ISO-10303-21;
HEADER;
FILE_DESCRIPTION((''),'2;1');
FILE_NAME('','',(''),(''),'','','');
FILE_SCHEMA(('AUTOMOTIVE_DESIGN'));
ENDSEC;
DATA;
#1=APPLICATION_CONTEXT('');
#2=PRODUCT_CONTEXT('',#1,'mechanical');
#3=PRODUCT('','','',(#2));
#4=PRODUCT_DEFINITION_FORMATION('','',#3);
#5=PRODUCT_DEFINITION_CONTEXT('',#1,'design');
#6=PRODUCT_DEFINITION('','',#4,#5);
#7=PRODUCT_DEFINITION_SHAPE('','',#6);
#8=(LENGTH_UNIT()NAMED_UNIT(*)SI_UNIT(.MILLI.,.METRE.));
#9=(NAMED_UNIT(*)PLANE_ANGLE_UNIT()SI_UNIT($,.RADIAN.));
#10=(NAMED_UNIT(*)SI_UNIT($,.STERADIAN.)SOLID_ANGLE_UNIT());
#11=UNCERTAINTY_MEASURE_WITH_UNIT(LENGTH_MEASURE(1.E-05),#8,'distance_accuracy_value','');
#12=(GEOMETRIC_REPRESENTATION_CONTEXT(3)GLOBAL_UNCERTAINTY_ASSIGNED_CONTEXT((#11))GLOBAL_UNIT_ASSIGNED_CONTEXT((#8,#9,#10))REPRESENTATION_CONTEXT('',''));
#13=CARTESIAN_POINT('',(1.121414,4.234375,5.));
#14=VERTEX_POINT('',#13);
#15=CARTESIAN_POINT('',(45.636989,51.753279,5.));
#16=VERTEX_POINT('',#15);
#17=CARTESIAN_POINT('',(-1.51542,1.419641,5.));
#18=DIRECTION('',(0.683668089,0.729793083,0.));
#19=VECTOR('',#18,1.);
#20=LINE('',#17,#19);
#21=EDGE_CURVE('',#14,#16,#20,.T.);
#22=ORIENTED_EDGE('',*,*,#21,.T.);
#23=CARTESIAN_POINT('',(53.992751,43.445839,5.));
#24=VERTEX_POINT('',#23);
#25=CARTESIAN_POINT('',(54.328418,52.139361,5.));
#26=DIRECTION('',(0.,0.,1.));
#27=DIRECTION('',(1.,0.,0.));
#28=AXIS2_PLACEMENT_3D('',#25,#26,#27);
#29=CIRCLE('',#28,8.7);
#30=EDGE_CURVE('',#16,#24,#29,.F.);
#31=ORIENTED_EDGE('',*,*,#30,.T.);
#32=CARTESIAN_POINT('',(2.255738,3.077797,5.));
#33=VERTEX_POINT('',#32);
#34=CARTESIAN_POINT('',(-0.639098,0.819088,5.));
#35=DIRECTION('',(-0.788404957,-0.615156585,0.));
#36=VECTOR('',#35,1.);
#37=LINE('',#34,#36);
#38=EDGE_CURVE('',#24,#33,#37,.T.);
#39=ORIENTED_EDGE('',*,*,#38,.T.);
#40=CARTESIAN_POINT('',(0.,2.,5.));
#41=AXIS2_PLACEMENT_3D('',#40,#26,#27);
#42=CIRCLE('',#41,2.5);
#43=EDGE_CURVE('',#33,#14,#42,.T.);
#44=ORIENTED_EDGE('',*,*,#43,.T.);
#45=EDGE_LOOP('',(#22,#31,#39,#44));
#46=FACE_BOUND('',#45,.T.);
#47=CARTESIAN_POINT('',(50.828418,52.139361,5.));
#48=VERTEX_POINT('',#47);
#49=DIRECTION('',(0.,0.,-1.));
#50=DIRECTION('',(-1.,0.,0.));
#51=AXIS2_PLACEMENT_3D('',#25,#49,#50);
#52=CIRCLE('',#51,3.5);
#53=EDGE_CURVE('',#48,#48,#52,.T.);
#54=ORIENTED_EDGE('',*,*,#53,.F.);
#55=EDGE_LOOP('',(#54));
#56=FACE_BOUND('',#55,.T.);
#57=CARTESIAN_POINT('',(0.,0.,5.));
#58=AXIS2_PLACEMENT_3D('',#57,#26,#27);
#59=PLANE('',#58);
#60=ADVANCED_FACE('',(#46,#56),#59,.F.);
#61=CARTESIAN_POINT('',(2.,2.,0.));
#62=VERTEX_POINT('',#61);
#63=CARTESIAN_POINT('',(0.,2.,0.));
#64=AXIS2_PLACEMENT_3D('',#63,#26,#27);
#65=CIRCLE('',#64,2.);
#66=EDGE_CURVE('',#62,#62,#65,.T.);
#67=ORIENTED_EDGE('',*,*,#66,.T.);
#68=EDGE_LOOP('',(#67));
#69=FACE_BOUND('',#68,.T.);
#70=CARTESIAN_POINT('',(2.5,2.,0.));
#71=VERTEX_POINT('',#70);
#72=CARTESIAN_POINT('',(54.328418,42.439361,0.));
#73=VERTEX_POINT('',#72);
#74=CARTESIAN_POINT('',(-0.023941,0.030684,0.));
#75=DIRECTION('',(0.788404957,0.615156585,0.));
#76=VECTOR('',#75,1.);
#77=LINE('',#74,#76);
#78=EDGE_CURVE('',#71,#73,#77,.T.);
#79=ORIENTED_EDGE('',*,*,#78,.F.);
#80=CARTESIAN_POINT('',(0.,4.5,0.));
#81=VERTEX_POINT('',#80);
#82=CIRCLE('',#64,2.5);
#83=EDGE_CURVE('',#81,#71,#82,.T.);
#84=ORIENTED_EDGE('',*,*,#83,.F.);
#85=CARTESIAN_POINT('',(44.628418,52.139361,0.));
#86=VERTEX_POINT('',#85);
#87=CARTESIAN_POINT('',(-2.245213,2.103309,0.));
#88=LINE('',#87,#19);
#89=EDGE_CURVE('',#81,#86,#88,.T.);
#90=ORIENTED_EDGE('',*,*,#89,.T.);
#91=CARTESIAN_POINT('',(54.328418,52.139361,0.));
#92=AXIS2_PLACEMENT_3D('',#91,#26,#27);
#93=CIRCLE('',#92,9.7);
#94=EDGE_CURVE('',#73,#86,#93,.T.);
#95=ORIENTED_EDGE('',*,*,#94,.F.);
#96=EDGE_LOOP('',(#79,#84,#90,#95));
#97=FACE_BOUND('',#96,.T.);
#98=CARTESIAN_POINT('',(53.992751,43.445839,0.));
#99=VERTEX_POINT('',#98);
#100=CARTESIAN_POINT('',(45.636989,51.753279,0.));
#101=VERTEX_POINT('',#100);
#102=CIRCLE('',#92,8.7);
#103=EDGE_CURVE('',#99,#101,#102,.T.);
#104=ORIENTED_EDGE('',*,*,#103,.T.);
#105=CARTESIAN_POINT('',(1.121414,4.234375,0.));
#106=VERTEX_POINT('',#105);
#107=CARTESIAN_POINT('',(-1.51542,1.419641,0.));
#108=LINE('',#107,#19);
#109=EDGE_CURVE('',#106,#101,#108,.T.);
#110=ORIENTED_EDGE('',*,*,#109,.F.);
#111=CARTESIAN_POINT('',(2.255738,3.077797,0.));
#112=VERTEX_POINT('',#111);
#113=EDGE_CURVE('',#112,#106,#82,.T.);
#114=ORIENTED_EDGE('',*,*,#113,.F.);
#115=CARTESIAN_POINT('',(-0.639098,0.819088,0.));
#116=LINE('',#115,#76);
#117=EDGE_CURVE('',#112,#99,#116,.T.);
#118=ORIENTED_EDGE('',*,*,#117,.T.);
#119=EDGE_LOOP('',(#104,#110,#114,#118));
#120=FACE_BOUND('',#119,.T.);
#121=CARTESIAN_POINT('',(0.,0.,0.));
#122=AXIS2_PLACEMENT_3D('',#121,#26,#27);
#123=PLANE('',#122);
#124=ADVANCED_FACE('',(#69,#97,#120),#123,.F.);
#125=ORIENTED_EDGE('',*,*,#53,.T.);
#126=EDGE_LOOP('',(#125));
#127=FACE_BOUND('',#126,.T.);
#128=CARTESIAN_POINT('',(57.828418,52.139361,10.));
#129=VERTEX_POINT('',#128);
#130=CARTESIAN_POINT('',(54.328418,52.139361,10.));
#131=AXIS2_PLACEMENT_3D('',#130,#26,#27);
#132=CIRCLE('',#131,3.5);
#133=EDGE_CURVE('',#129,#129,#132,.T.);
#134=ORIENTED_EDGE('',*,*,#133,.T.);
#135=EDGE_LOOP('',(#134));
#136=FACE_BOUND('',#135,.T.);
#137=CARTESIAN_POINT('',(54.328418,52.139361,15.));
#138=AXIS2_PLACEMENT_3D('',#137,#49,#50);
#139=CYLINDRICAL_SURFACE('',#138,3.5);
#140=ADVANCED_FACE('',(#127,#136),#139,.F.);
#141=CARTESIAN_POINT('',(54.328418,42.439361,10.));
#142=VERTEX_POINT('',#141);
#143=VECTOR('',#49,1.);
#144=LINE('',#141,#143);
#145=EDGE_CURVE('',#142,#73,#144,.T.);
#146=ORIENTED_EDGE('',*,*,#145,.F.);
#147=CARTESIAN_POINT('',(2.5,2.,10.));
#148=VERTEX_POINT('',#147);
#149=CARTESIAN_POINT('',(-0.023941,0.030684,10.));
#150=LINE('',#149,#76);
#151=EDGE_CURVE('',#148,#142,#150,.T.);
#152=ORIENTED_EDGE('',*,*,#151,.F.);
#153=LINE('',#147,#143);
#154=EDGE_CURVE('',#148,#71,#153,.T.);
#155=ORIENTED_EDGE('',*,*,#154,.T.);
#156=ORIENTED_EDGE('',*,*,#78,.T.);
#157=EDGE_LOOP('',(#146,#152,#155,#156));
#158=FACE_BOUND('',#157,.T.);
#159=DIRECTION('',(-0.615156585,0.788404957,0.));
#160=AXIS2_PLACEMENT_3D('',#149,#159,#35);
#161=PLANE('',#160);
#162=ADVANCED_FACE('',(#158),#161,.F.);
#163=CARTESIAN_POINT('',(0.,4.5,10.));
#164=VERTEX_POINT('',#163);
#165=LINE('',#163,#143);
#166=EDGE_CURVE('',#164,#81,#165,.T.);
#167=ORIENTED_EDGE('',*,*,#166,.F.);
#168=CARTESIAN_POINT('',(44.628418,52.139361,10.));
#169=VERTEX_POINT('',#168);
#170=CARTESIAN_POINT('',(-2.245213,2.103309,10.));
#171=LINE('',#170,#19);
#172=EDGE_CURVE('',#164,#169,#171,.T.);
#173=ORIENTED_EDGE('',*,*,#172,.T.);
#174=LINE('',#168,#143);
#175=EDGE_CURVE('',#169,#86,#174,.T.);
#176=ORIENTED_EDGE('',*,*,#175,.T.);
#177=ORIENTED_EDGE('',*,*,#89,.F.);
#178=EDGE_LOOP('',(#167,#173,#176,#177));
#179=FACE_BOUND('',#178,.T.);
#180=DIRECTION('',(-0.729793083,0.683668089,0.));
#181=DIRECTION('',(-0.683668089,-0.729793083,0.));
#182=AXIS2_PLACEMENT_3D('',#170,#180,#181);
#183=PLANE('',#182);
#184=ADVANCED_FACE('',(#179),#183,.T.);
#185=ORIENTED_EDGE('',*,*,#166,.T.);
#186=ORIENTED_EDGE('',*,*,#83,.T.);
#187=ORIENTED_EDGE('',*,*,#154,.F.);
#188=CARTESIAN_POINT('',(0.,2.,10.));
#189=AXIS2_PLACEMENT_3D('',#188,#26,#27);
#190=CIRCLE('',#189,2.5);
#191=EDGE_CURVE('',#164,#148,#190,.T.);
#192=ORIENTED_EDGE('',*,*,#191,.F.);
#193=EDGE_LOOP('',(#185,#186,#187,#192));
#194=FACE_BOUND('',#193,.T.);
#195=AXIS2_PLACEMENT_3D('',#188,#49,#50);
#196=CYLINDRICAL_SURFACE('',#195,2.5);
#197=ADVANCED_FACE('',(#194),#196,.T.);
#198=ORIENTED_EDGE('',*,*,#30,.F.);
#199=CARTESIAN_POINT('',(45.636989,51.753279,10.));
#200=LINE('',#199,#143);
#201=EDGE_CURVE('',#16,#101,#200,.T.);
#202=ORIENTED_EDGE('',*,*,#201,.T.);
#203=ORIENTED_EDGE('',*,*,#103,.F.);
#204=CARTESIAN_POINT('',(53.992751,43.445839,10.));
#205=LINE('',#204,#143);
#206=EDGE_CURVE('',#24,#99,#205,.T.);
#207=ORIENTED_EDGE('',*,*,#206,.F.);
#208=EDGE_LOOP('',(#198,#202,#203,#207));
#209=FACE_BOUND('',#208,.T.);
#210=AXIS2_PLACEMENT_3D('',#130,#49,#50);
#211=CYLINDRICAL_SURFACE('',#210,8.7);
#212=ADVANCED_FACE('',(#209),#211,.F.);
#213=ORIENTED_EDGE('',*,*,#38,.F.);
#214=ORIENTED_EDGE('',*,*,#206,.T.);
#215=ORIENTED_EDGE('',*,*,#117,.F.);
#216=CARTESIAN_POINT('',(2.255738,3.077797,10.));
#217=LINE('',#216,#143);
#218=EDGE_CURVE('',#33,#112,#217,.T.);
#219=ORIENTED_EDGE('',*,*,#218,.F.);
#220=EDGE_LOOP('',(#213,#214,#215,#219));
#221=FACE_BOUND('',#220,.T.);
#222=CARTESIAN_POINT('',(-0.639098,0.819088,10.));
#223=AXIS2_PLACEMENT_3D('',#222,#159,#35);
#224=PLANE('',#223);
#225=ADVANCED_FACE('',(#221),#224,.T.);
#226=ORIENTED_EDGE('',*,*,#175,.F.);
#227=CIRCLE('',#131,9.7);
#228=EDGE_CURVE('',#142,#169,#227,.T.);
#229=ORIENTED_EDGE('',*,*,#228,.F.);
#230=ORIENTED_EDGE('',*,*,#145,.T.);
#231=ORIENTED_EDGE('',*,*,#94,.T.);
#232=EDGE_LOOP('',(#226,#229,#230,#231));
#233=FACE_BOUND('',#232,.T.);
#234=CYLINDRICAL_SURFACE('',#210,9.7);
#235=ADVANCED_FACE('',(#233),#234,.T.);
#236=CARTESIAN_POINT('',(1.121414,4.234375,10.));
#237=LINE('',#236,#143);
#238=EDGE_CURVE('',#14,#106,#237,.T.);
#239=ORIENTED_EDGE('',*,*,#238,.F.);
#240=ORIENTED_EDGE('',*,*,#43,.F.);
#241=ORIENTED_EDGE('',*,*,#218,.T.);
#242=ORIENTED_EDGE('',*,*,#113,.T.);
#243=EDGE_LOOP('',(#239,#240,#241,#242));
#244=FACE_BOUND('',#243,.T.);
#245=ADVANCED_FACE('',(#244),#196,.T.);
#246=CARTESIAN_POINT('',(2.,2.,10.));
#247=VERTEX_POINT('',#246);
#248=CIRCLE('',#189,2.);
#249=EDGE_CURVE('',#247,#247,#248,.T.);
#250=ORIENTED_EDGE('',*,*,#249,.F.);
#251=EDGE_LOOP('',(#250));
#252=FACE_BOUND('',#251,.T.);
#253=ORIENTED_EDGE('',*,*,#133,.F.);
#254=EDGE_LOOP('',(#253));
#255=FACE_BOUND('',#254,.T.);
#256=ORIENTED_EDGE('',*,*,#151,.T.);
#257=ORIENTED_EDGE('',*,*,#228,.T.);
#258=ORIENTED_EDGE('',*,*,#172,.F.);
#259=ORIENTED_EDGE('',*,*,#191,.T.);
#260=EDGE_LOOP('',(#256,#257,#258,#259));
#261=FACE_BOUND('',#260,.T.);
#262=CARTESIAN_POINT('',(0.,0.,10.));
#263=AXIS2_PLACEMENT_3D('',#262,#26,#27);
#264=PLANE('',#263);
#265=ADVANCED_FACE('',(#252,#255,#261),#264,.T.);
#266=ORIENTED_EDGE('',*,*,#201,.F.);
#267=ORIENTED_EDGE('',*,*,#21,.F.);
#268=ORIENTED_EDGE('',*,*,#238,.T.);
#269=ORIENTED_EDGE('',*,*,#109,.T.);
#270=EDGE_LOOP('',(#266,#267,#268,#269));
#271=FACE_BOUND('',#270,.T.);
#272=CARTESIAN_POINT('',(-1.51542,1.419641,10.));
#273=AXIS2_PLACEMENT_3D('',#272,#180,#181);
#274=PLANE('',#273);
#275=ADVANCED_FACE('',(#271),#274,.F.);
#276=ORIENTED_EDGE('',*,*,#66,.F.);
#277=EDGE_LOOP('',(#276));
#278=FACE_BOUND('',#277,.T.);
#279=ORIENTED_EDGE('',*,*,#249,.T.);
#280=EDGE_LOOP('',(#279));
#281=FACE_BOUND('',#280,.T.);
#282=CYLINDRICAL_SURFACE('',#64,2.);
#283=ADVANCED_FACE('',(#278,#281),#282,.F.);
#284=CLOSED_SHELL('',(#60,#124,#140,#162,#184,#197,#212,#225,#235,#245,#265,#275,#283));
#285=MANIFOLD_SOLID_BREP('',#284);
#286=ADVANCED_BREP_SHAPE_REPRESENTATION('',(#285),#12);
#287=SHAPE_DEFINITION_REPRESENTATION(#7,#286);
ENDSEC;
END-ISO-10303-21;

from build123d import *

# Parameters (mm, degrees)
SALIENTE_EXTRUIR2_DEPTH = 10
CROQUIS2_R              = 2
CORTAR_EXTRUIR1_DEPTH   = 90.57535888
SALIENTE_EXTRUIR3_START = -5
SALIENTE_EXTRUIR3_DEPTH = 5
CROQUIS4_R              = 3.5
CORTAR_EXTRUIR2_DEPTH   = 10


with BuildPart() as part:
    # Croquis1 → Saliente-Extruir2 (new body)
    with BuildSketch(Plane.XY):
        with BuildLine():
            Line((44.628418222, 52.139361077), (0, 4.5))
            ThreePointArc((0, 4.5), (-1.767766953, 0.232233047), (2.5, 2))
            Line((2.5, 2), (54.328418222, 42.439361077))
            ThreePointArc((54.328418222, 42.439361077), (61.187353999, 58.998296855), (44.628418222, 52.139361077))
        make_face()
        with BuildLine():
            Line((53.992751033, 43.445838918), (2.255737897, 3.077797078))
            ThreePointArc((2.255737897, 3.077797078), (1.78485494, 3.750512166), (1.121414308, 4.234374622))
            Line((1.121414308, 4.234374622), (45.636989072, 51.753279039))
            ThreePointArc((45.636989072, 51.753279039), (60.462381656, 58.309003902), (53.992751033, 43.445838918))
        make_face(mode=Mode.SUBTRACT)
    extrude(amount=SALIENTE_EXTRUIR2_DEPTH)

    # Croquis2 → Cortar-Extruir1 (cut, through all)
    with BuildSketch(Plane.XY.offset(10)):
        with Locations((0, 2)):
            Circle(CROQUIS2_R)
    extrude(amount=-CORTAR_EXTRUIR1_DEPTH, mode=Mode.SUBTRACT)

    # Croquis3 → Saliente-Extruir3 (add)
    with BuildSketch(Plane.XY.offset(10).offset(SALIENTE_EXTRUIR3_START)):
        with BuildLine():
            Line((53.992751033, 43.445838918), (2.255737897, 3.077797078))
            ThreePointArc((2.255737897, 3.077797078), (1.78485494, 3.750512166), (1.121414308, 4.234374622))
            Line((1.121414308, 4.234374622), (45.636989072, 51.753279039))
            ThreePointArc((45.636989072, 51.753279039), (60.462381656, 58.309003902), (53.992751033, 43.445838918))
        make_face()
    extrude(amount=SALIENTE_EXTRUIR3_DEPTH)

    # Croquis4 → Cortar-Extruir2 (cut)
    with BuildSketch(Plane(origin=(0, 0, 5), x_dir=(-1, 0, 0), z_dir=(0, 0, -1))):
        with Locations((-54.328418222, 52.139361077)):
            Circle(CROQUIS4_R)
    extrude(amount=-CORTAR_EXTRUIR2_DEPTH, mode=Mode.SUBTRACT)


solid = part.part
